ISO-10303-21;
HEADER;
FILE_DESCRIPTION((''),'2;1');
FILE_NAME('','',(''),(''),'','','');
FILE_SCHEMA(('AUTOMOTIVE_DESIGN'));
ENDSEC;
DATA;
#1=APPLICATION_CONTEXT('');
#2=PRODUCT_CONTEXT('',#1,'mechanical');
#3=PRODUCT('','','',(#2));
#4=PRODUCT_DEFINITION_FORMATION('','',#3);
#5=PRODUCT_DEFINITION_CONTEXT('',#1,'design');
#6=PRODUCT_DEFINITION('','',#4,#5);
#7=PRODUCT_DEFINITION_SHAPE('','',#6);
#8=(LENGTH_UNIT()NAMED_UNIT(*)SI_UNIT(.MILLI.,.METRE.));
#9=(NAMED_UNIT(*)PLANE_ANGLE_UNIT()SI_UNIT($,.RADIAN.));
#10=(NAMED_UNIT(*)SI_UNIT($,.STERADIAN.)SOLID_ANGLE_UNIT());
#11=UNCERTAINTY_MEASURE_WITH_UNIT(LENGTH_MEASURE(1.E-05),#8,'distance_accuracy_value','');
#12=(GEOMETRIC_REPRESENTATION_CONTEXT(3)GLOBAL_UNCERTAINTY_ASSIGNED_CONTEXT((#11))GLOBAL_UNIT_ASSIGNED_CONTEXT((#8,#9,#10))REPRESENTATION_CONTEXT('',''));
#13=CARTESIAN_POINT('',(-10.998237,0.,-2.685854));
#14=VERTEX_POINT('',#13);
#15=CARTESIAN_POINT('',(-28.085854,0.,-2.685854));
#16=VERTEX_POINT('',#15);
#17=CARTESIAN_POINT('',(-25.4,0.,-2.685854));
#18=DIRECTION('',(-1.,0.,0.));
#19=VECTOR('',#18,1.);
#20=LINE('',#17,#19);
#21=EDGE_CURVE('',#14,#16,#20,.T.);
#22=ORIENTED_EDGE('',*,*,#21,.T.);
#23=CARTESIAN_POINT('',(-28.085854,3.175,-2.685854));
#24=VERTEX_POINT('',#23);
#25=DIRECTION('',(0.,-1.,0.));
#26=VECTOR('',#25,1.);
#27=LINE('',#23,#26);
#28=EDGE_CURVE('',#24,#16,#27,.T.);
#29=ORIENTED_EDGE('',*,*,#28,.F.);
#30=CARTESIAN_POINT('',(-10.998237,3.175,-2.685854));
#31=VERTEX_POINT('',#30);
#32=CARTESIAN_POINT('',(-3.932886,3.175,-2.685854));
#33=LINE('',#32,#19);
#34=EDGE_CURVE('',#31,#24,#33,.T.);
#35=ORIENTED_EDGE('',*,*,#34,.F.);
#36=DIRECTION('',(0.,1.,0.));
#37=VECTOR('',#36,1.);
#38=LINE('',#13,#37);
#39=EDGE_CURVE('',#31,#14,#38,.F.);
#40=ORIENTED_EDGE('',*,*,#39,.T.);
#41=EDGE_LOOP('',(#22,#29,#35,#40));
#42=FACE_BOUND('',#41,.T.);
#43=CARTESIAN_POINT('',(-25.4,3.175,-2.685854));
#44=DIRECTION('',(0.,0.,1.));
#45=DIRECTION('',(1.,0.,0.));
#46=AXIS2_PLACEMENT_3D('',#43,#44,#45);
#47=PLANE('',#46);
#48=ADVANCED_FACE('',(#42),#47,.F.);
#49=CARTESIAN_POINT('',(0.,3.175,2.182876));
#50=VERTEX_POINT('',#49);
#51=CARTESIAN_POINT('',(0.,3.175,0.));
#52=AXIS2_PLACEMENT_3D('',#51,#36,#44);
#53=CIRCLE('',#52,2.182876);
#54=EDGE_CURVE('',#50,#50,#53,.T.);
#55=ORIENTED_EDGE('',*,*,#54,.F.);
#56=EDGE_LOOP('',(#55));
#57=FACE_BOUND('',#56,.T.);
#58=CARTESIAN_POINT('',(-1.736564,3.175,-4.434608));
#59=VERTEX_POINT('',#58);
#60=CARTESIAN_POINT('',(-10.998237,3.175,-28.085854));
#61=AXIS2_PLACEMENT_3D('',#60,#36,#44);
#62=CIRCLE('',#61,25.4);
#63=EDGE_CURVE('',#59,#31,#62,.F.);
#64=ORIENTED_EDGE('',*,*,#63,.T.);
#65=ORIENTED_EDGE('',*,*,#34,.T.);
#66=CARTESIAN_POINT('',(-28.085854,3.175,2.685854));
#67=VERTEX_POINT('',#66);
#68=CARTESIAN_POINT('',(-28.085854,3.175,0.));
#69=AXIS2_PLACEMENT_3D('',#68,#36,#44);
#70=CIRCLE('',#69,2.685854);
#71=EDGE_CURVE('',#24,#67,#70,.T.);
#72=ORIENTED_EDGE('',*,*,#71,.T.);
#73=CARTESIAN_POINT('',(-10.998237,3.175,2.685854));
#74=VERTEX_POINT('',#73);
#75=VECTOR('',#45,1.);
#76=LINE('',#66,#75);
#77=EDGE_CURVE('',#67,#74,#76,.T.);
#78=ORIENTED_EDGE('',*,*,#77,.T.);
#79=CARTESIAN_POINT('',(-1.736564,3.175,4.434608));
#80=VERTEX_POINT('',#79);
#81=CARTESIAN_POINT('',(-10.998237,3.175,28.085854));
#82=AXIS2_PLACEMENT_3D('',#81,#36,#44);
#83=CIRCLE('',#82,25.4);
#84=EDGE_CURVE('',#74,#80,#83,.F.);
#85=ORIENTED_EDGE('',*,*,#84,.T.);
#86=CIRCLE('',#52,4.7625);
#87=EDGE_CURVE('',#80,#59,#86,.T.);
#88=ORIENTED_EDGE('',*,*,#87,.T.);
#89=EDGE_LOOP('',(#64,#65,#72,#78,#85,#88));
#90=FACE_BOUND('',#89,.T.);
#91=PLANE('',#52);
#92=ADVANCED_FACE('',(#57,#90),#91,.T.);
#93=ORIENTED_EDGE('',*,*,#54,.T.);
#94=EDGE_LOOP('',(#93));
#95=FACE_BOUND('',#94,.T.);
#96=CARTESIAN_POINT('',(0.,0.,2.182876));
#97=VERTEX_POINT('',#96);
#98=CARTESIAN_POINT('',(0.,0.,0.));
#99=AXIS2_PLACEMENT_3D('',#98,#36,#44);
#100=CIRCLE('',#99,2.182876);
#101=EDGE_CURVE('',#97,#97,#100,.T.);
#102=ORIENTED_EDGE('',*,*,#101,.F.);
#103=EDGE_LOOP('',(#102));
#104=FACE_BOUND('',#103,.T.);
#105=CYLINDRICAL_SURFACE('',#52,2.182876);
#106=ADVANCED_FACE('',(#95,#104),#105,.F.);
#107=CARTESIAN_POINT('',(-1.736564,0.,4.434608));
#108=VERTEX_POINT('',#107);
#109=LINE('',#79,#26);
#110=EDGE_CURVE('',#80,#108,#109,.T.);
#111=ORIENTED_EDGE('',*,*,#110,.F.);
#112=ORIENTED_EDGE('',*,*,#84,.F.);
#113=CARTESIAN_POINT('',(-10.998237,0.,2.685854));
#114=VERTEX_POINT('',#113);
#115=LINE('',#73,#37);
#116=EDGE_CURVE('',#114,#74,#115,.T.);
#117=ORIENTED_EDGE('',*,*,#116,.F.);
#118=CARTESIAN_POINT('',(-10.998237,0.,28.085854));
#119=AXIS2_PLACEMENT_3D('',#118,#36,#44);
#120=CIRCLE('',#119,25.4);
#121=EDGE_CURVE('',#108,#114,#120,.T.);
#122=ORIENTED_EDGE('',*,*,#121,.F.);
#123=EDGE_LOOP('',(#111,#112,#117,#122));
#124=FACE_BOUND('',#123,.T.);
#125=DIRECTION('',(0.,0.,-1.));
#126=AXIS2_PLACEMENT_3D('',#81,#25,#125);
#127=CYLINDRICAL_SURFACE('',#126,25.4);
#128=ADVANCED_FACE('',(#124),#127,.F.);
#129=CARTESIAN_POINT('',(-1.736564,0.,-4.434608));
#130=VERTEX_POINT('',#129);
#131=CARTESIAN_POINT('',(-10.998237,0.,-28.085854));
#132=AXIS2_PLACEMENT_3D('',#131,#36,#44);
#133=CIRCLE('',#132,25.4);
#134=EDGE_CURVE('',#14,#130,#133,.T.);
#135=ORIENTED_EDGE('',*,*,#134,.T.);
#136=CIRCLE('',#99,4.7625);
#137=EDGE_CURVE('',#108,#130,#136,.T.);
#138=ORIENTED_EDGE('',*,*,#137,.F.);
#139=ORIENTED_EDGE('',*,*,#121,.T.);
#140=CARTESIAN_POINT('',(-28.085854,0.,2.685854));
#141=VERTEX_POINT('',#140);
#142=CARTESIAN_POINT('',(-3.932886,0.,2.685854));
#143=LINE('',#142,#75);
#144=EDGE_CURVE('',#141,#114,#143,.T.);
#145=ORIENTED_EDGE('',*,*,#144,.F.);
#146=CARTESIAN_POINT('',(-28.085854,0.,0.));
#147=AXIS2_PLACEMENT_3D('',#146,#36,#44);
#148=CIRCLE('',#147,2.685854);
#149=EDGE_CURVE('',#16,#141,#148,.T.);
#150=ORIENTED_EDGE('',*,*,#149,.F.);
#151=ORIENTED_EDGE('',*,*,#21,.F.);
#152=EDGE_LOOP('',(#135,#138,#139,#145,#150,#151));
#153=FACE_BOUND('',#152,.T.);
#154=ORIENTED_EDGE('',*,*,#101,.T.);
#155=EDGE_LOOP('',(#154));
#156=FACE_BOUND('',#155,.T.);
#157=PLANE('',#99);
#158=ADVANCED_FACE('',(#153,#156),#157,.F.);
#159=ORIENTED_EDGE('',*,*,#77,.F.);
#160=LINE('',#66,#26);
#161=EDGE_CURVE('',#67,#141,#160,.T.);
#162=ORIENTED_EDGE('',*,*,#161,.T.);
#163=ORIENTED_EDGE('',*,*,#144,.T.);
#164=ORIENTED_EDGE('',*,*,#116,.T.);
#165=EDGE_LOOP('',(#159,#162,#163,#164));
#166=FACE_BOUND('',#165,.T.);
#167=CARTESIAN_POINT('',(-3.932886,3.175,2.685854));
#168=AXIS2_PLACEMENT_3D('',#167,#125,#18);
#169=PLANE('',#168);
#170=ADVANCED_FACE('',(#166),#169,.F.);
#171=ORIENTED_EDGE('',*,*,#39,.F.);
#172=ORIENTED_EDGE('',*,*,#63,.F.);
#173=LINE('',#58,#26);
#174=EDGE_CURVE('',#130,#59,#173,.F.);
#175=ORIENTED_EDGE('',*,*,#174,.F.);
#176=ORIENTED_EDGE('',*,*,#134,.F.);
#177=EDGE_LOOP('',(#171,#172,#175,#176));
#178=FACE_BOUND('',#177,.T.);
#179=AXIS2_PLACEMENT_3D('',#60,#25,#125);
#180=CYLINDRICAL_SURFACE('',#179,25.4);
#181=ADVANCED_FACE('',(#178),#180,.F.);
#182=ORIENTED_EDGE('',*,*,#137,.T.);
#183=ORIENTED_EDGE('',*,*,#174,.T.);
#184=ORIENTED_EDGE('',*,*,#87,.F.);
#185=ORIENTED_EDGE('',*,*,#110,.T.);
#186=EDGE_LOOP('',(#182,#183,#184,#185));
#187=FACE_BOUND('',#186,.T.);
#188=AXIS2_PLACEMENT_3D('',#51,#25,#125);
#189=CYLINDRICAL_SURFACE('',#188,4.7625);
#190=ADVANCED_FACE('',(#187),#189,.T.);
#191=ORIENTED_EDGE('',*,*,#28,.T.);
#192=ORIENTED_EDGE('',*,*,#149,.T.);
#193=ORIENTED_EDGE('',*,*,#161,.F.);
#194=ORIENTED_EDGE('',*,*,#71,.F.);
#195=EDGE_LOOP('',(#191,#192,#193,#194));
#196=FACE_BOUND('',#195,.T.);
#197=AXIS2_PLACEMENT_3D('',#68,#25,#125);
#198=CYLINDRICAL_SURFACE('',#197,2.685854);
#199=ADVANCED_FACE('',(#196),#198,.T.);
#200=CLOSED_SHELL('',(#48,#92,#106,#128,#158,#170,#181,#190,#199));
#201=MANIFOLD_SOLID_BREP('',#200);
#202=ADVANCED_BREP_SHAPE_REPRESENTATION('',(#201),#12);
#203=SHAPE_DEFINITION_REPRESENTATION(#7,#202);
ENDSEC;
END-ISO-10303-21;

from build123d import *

# Parameters (mm, degrees)
BOSS_EXTRUDE1_DEPTH              = 3.175
F_11_64_0_17188_DIAMETER_HOLE1_D = 4.365752
FILLET1_R                        = 25.4


with BuildPart() as part:
    # Sketch1 → Boss-Extrude1 (new body)
    with BuildSketch(Plane(origin=(0, 0, 0), x_dir=(1, 0, 0), z_dir=(0, 1, 0))):
        with BuildLine():
            Line((-3.932886418, -2.685853807), (-25.4, -2.685853807))
            Line((-25.4, -2.685853807), (-28.085853807, -2.685853807))
            ThreePointArc((-28.085853807, -2.685853807), (-30.771707615, 0), (-28.085853807, 2.685853807))
            Line((-28.085853807, 2.685853807), (-25.4, 2.685853807))
            Line((-25.4, 2.685853807), (-3.932886418, 2.685853807))
            ThreePointArc((-3.932886418, 2.685853807), (4.7625, 0), (-3.932886418, -2.685853807))
        make_face()
    extrude(amount=BOSS_EXTRUDE1_DEPTH)

    # 11/64 (0.17188) Diameter Hole1 (through all)
    with Locations(Plane(origin=(0, 3.175, 0), x_dir=(1, 0, 0), z_dir=(0, 1, 0))):
        with Locations((0, 0)):
            Hole(F_11_64_0_17188_DIAMETER_HOLE1_D / 2)

    # Fillet1
    fillet1_edges = [part.edges().sort_by_distance(p)[0] for p in [
        (-3.932886418, 1.5875, -2.685853807),
        (-3.932886418, 1.5875, 2.685853807),
    ]]
    fillet(fillet1_edges, radius=FILLET1_R)


solid = part.part
